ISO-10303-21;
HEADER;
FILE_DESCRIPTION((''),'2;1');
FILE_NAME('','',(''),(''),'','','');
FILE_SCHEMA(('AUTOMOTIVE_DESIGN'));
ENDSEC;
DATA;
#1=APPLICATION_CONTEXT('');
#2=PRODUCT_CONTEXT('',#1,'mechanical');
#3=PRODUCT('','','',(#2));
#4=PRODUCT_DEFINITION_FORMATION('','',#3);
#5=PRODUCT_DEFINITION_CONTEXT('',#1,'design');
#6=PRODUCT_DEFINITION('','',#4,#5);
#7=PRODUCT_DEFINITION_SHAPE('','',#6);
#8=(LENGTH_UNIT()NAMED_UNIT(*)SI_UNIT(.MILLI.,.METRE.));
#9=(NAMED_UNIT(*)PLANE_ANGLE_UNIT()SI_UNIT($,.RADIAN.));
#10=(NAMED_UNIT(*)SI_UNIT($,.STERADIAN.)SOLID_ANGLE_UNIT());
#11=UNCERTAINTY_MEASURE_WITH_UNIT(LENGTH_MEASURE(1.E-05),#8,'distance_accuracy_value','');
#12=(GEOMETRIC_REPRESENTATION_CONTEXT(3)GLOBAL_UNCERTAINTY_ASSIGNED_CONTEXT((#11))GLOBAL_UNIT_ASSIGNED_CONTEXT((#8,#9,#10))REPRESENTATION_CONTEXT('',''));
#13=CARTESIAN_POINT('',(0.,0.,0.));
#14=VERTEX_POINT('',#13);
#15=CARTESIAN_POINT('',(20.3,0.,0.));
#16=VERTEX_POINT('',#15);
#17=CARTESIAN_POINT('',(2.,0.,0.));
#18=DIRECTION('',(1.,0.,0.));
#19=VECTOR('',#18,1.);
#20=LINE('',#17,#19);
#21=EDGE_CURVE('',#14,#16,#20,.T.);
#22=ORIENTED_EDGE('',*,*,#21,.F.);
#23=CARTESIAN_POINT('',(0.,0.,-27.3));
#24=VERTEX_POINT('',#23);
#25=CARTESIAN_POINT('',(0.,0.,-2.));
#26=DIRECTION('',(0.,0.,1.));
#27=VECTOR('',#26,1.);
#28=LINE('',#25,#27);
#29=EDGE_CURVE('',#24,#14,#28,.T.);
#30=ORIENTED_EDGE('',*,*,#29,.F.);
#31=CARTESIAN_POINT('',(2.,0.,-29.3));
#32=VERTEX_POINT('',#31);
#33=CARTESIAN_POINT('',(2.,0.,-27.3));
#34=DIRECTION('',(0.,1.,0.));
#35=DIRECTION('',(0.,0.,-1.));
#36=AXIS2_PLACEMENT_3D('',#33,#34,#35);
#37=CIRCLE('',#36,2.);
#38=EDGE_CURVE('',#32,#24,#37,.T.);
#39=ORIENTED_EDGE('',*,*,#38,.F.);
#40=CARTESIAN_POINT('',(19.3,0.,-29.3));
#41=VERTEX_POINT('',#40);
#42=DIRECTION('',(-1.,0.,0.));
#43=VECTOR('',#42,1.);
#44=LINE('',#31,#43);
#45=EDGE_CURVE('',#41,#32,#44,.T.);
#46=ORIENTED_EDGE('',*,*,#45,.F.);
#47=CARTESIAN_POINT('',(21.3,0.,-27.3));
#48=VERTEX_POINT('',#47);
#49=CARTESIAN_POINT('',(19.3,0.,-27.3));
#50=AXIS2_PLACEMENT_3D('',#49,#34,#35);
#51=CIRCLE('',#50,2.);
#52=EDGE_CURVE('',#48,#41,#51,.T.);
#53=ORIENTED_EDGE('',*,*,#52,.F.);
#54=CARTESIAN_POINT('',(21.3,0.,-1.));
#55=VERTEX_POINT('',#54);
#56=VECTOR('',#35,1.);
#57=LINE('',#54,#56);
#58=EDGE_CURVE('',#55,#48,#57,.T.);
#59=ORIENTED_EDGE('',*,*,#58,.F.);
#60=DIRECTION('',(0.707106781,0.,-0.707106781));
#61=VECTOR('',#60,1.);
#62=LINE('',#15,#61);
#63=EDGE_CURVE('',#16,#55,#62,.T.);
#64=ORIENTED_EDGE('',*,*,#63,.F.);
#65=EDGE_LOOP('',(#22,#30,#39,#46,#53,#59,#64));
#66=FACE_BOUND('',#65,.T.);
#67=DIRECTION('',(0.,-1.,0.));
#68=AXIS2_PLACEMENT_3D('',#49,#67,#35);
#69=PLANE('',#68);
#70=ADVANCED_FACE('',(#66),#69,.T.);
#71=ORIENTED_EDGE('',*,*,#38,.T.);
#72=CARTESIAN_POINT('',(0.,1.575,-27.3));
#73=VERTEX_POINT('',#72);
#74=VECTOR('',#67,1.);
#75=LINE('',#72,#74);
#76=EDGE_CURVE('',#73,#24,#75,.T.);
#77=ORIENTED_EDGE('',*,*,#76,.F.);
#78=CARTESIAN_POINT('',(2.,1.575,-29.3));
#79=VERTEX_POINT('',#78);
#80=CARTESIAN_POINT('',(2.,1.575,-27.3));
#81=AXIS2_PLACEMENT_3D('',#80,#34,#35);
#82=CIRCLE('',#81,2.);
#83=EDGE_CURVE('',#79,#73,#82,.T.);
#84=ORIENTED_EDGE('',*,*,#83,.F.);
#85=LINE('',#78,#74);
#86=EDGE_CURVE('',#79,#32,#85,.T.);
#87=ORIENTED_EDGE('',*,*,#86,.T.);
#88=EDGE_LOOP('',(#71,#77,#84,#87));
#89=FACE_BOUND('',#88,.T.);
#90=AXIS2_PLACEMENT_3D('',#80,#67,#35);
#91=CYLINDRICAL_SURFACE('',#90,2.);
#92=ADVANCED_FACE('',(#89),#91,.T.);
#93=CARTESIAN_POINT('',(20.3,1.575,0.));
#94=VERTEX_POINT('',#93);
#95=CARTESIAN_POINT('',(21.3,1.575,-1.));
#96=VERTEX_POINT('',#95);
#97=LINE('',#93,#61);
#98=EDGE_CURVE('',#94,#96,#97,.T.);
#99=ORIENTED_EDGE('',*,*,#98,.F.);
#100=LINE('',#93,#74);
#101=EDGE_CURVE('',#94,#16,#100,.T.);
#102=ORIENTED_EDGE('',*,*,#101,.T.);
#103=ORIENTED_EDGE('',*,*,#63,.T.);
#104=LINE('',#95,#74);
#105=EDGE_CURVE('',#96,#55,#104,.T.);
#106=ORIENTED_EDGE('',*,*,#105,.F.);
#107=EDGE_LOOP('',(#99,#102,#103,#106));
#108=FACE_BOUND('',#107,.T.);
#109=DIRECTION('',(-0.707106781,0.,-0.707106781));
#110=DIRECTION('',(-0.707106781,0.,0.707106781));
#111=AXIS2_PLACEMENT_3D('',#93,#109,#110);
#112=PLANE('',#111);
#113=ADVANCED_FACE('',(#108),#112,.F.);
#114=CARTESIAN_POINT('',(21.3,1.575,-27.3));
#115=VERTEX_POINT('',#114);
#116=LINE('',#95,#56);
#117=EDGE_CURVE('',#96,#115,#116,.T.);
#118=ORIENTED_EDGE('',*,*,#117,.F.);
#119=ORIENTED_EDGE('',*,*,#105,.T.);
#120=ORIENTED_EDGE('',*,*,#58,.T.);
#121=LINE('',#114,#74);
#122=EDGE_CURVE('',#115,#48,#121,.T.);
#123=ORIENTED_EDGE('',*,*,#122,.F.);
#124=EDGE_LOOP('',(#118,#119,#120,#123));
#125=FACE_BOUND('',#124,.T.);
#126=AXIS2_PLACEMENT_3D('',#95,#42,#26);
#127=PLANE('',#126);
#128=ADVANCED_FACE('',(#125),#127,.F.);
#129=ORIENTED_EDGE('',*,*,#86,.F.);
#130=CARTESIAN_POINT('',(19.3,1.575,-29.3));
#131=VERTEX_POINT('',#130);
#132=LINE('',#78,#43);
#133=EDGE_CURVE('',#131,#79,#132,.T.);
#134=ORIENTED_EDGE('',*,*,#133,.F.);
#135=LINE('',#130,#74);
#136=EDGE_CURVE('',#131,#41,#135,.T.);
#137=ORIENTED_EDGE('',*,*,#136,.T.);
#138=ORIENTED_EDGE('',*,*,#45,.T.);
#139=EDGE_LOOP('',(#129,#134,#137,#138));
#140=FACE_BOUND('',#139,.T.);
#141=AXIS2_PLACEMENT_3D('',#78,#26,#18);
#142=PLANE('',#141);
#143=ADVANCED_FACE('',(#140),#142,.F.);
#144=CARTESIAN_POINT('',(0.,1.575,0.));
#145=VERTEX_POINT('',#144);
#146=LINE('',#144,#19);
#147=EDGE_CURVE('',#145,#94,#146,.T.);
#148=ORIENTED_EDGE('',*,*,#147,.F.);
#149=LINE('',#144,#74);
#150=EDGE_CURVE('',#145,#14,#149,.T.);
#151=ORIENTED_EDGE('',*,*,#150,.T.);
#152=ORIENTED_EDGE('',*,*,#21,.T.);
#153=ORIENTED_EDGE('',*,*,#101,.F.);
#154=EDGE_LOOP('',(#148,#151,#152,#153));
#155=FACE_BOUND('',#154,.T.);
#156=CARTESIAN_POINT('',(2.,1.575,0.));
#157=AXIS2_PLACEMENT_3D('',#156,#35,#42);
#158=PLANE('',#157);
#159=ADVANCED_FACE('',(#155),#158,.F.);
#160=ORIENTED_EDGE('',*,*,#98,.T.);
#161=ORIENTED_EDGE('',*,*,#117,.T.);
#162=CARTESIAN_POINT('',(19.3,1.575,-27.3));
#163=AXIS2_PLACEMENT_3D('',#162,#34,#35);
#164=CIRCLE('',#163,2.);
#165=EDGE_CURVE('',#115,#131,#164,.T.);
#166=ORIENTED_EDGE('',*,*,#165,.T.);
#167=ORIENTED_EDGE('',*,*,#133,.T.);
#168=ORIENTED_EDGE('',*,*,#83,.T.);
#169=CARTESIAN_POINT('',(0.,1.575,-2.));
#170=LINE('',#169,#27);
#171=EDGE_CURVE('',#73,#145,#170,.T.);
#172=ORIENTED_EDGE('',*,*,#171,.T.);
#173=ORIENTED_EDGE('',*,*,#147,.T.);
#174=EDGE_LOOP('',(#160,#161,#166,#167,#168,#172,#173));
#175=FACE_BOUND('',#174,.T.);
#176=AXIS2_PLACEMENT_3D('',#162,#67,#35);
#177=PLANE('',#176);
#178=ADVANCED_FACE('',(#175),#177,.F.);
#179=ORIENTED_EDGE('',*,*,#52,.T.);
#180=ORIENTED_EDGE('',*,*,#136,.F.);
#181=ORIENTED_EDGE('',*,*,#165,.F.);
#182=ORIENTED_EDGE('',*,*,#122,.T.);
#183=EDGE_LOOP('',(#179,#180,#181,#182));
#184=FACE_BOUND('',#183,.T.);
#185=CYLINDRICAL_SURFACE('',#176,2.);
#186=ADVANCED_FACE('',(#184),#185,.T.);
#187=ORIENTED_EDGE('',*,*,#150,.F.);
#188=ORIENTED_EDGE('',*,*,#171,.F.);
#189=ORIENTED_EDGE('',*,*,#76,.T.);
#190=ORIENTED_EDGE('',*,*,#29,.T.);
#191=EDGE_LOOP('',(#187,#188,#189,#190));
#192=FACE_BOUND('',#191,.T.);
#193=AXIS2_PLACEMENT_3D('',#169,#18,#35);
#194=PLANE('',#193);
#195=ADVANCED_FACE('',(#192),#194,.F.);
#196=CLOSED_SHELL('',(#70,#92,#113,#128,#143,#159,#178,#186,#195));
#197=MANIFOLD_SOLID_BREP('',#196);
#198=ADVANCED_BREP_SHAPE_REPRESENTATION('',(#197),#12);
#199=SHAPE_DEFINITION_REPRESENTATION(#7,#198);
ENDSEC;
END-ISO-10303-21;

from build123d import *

# Parameters (mm, degrees)
BOSS_EXTRUDE2_DEPTH = 1.575


with BuildPart() as part:
    # Sketch2 → Boss-Extrude2 (new body)
    with BuildSketch(Plane(origin=(0, 0, 0), x_dir=(1, 0, 0), z_dir=(0, 1, 0))):
        with BuildLine():
            Line((0, 2), (0, 0))
            Line((0, 0), (2, 0))
            Line((2, 0), (20.3, 0))
            Line((20.3, 0), (21.3, 1))
            Line((21.3, 1), (21.3, 27.3))
            ThreePointArc((21.3, 27.3), (20.714213562, 28.714213562), (19.3, 29.3))
            Line((19.3, 29.3), (2, 29.3))
            ThreePointArc((2, 29.3), (0.585786438, 28.714213562), (0, 27.3))
            Line((0, 27.3), (0, 2))
        make_face()
    extrude(amount=BOSS_EXTRUDE2_DEPTH)


solid = part.part
